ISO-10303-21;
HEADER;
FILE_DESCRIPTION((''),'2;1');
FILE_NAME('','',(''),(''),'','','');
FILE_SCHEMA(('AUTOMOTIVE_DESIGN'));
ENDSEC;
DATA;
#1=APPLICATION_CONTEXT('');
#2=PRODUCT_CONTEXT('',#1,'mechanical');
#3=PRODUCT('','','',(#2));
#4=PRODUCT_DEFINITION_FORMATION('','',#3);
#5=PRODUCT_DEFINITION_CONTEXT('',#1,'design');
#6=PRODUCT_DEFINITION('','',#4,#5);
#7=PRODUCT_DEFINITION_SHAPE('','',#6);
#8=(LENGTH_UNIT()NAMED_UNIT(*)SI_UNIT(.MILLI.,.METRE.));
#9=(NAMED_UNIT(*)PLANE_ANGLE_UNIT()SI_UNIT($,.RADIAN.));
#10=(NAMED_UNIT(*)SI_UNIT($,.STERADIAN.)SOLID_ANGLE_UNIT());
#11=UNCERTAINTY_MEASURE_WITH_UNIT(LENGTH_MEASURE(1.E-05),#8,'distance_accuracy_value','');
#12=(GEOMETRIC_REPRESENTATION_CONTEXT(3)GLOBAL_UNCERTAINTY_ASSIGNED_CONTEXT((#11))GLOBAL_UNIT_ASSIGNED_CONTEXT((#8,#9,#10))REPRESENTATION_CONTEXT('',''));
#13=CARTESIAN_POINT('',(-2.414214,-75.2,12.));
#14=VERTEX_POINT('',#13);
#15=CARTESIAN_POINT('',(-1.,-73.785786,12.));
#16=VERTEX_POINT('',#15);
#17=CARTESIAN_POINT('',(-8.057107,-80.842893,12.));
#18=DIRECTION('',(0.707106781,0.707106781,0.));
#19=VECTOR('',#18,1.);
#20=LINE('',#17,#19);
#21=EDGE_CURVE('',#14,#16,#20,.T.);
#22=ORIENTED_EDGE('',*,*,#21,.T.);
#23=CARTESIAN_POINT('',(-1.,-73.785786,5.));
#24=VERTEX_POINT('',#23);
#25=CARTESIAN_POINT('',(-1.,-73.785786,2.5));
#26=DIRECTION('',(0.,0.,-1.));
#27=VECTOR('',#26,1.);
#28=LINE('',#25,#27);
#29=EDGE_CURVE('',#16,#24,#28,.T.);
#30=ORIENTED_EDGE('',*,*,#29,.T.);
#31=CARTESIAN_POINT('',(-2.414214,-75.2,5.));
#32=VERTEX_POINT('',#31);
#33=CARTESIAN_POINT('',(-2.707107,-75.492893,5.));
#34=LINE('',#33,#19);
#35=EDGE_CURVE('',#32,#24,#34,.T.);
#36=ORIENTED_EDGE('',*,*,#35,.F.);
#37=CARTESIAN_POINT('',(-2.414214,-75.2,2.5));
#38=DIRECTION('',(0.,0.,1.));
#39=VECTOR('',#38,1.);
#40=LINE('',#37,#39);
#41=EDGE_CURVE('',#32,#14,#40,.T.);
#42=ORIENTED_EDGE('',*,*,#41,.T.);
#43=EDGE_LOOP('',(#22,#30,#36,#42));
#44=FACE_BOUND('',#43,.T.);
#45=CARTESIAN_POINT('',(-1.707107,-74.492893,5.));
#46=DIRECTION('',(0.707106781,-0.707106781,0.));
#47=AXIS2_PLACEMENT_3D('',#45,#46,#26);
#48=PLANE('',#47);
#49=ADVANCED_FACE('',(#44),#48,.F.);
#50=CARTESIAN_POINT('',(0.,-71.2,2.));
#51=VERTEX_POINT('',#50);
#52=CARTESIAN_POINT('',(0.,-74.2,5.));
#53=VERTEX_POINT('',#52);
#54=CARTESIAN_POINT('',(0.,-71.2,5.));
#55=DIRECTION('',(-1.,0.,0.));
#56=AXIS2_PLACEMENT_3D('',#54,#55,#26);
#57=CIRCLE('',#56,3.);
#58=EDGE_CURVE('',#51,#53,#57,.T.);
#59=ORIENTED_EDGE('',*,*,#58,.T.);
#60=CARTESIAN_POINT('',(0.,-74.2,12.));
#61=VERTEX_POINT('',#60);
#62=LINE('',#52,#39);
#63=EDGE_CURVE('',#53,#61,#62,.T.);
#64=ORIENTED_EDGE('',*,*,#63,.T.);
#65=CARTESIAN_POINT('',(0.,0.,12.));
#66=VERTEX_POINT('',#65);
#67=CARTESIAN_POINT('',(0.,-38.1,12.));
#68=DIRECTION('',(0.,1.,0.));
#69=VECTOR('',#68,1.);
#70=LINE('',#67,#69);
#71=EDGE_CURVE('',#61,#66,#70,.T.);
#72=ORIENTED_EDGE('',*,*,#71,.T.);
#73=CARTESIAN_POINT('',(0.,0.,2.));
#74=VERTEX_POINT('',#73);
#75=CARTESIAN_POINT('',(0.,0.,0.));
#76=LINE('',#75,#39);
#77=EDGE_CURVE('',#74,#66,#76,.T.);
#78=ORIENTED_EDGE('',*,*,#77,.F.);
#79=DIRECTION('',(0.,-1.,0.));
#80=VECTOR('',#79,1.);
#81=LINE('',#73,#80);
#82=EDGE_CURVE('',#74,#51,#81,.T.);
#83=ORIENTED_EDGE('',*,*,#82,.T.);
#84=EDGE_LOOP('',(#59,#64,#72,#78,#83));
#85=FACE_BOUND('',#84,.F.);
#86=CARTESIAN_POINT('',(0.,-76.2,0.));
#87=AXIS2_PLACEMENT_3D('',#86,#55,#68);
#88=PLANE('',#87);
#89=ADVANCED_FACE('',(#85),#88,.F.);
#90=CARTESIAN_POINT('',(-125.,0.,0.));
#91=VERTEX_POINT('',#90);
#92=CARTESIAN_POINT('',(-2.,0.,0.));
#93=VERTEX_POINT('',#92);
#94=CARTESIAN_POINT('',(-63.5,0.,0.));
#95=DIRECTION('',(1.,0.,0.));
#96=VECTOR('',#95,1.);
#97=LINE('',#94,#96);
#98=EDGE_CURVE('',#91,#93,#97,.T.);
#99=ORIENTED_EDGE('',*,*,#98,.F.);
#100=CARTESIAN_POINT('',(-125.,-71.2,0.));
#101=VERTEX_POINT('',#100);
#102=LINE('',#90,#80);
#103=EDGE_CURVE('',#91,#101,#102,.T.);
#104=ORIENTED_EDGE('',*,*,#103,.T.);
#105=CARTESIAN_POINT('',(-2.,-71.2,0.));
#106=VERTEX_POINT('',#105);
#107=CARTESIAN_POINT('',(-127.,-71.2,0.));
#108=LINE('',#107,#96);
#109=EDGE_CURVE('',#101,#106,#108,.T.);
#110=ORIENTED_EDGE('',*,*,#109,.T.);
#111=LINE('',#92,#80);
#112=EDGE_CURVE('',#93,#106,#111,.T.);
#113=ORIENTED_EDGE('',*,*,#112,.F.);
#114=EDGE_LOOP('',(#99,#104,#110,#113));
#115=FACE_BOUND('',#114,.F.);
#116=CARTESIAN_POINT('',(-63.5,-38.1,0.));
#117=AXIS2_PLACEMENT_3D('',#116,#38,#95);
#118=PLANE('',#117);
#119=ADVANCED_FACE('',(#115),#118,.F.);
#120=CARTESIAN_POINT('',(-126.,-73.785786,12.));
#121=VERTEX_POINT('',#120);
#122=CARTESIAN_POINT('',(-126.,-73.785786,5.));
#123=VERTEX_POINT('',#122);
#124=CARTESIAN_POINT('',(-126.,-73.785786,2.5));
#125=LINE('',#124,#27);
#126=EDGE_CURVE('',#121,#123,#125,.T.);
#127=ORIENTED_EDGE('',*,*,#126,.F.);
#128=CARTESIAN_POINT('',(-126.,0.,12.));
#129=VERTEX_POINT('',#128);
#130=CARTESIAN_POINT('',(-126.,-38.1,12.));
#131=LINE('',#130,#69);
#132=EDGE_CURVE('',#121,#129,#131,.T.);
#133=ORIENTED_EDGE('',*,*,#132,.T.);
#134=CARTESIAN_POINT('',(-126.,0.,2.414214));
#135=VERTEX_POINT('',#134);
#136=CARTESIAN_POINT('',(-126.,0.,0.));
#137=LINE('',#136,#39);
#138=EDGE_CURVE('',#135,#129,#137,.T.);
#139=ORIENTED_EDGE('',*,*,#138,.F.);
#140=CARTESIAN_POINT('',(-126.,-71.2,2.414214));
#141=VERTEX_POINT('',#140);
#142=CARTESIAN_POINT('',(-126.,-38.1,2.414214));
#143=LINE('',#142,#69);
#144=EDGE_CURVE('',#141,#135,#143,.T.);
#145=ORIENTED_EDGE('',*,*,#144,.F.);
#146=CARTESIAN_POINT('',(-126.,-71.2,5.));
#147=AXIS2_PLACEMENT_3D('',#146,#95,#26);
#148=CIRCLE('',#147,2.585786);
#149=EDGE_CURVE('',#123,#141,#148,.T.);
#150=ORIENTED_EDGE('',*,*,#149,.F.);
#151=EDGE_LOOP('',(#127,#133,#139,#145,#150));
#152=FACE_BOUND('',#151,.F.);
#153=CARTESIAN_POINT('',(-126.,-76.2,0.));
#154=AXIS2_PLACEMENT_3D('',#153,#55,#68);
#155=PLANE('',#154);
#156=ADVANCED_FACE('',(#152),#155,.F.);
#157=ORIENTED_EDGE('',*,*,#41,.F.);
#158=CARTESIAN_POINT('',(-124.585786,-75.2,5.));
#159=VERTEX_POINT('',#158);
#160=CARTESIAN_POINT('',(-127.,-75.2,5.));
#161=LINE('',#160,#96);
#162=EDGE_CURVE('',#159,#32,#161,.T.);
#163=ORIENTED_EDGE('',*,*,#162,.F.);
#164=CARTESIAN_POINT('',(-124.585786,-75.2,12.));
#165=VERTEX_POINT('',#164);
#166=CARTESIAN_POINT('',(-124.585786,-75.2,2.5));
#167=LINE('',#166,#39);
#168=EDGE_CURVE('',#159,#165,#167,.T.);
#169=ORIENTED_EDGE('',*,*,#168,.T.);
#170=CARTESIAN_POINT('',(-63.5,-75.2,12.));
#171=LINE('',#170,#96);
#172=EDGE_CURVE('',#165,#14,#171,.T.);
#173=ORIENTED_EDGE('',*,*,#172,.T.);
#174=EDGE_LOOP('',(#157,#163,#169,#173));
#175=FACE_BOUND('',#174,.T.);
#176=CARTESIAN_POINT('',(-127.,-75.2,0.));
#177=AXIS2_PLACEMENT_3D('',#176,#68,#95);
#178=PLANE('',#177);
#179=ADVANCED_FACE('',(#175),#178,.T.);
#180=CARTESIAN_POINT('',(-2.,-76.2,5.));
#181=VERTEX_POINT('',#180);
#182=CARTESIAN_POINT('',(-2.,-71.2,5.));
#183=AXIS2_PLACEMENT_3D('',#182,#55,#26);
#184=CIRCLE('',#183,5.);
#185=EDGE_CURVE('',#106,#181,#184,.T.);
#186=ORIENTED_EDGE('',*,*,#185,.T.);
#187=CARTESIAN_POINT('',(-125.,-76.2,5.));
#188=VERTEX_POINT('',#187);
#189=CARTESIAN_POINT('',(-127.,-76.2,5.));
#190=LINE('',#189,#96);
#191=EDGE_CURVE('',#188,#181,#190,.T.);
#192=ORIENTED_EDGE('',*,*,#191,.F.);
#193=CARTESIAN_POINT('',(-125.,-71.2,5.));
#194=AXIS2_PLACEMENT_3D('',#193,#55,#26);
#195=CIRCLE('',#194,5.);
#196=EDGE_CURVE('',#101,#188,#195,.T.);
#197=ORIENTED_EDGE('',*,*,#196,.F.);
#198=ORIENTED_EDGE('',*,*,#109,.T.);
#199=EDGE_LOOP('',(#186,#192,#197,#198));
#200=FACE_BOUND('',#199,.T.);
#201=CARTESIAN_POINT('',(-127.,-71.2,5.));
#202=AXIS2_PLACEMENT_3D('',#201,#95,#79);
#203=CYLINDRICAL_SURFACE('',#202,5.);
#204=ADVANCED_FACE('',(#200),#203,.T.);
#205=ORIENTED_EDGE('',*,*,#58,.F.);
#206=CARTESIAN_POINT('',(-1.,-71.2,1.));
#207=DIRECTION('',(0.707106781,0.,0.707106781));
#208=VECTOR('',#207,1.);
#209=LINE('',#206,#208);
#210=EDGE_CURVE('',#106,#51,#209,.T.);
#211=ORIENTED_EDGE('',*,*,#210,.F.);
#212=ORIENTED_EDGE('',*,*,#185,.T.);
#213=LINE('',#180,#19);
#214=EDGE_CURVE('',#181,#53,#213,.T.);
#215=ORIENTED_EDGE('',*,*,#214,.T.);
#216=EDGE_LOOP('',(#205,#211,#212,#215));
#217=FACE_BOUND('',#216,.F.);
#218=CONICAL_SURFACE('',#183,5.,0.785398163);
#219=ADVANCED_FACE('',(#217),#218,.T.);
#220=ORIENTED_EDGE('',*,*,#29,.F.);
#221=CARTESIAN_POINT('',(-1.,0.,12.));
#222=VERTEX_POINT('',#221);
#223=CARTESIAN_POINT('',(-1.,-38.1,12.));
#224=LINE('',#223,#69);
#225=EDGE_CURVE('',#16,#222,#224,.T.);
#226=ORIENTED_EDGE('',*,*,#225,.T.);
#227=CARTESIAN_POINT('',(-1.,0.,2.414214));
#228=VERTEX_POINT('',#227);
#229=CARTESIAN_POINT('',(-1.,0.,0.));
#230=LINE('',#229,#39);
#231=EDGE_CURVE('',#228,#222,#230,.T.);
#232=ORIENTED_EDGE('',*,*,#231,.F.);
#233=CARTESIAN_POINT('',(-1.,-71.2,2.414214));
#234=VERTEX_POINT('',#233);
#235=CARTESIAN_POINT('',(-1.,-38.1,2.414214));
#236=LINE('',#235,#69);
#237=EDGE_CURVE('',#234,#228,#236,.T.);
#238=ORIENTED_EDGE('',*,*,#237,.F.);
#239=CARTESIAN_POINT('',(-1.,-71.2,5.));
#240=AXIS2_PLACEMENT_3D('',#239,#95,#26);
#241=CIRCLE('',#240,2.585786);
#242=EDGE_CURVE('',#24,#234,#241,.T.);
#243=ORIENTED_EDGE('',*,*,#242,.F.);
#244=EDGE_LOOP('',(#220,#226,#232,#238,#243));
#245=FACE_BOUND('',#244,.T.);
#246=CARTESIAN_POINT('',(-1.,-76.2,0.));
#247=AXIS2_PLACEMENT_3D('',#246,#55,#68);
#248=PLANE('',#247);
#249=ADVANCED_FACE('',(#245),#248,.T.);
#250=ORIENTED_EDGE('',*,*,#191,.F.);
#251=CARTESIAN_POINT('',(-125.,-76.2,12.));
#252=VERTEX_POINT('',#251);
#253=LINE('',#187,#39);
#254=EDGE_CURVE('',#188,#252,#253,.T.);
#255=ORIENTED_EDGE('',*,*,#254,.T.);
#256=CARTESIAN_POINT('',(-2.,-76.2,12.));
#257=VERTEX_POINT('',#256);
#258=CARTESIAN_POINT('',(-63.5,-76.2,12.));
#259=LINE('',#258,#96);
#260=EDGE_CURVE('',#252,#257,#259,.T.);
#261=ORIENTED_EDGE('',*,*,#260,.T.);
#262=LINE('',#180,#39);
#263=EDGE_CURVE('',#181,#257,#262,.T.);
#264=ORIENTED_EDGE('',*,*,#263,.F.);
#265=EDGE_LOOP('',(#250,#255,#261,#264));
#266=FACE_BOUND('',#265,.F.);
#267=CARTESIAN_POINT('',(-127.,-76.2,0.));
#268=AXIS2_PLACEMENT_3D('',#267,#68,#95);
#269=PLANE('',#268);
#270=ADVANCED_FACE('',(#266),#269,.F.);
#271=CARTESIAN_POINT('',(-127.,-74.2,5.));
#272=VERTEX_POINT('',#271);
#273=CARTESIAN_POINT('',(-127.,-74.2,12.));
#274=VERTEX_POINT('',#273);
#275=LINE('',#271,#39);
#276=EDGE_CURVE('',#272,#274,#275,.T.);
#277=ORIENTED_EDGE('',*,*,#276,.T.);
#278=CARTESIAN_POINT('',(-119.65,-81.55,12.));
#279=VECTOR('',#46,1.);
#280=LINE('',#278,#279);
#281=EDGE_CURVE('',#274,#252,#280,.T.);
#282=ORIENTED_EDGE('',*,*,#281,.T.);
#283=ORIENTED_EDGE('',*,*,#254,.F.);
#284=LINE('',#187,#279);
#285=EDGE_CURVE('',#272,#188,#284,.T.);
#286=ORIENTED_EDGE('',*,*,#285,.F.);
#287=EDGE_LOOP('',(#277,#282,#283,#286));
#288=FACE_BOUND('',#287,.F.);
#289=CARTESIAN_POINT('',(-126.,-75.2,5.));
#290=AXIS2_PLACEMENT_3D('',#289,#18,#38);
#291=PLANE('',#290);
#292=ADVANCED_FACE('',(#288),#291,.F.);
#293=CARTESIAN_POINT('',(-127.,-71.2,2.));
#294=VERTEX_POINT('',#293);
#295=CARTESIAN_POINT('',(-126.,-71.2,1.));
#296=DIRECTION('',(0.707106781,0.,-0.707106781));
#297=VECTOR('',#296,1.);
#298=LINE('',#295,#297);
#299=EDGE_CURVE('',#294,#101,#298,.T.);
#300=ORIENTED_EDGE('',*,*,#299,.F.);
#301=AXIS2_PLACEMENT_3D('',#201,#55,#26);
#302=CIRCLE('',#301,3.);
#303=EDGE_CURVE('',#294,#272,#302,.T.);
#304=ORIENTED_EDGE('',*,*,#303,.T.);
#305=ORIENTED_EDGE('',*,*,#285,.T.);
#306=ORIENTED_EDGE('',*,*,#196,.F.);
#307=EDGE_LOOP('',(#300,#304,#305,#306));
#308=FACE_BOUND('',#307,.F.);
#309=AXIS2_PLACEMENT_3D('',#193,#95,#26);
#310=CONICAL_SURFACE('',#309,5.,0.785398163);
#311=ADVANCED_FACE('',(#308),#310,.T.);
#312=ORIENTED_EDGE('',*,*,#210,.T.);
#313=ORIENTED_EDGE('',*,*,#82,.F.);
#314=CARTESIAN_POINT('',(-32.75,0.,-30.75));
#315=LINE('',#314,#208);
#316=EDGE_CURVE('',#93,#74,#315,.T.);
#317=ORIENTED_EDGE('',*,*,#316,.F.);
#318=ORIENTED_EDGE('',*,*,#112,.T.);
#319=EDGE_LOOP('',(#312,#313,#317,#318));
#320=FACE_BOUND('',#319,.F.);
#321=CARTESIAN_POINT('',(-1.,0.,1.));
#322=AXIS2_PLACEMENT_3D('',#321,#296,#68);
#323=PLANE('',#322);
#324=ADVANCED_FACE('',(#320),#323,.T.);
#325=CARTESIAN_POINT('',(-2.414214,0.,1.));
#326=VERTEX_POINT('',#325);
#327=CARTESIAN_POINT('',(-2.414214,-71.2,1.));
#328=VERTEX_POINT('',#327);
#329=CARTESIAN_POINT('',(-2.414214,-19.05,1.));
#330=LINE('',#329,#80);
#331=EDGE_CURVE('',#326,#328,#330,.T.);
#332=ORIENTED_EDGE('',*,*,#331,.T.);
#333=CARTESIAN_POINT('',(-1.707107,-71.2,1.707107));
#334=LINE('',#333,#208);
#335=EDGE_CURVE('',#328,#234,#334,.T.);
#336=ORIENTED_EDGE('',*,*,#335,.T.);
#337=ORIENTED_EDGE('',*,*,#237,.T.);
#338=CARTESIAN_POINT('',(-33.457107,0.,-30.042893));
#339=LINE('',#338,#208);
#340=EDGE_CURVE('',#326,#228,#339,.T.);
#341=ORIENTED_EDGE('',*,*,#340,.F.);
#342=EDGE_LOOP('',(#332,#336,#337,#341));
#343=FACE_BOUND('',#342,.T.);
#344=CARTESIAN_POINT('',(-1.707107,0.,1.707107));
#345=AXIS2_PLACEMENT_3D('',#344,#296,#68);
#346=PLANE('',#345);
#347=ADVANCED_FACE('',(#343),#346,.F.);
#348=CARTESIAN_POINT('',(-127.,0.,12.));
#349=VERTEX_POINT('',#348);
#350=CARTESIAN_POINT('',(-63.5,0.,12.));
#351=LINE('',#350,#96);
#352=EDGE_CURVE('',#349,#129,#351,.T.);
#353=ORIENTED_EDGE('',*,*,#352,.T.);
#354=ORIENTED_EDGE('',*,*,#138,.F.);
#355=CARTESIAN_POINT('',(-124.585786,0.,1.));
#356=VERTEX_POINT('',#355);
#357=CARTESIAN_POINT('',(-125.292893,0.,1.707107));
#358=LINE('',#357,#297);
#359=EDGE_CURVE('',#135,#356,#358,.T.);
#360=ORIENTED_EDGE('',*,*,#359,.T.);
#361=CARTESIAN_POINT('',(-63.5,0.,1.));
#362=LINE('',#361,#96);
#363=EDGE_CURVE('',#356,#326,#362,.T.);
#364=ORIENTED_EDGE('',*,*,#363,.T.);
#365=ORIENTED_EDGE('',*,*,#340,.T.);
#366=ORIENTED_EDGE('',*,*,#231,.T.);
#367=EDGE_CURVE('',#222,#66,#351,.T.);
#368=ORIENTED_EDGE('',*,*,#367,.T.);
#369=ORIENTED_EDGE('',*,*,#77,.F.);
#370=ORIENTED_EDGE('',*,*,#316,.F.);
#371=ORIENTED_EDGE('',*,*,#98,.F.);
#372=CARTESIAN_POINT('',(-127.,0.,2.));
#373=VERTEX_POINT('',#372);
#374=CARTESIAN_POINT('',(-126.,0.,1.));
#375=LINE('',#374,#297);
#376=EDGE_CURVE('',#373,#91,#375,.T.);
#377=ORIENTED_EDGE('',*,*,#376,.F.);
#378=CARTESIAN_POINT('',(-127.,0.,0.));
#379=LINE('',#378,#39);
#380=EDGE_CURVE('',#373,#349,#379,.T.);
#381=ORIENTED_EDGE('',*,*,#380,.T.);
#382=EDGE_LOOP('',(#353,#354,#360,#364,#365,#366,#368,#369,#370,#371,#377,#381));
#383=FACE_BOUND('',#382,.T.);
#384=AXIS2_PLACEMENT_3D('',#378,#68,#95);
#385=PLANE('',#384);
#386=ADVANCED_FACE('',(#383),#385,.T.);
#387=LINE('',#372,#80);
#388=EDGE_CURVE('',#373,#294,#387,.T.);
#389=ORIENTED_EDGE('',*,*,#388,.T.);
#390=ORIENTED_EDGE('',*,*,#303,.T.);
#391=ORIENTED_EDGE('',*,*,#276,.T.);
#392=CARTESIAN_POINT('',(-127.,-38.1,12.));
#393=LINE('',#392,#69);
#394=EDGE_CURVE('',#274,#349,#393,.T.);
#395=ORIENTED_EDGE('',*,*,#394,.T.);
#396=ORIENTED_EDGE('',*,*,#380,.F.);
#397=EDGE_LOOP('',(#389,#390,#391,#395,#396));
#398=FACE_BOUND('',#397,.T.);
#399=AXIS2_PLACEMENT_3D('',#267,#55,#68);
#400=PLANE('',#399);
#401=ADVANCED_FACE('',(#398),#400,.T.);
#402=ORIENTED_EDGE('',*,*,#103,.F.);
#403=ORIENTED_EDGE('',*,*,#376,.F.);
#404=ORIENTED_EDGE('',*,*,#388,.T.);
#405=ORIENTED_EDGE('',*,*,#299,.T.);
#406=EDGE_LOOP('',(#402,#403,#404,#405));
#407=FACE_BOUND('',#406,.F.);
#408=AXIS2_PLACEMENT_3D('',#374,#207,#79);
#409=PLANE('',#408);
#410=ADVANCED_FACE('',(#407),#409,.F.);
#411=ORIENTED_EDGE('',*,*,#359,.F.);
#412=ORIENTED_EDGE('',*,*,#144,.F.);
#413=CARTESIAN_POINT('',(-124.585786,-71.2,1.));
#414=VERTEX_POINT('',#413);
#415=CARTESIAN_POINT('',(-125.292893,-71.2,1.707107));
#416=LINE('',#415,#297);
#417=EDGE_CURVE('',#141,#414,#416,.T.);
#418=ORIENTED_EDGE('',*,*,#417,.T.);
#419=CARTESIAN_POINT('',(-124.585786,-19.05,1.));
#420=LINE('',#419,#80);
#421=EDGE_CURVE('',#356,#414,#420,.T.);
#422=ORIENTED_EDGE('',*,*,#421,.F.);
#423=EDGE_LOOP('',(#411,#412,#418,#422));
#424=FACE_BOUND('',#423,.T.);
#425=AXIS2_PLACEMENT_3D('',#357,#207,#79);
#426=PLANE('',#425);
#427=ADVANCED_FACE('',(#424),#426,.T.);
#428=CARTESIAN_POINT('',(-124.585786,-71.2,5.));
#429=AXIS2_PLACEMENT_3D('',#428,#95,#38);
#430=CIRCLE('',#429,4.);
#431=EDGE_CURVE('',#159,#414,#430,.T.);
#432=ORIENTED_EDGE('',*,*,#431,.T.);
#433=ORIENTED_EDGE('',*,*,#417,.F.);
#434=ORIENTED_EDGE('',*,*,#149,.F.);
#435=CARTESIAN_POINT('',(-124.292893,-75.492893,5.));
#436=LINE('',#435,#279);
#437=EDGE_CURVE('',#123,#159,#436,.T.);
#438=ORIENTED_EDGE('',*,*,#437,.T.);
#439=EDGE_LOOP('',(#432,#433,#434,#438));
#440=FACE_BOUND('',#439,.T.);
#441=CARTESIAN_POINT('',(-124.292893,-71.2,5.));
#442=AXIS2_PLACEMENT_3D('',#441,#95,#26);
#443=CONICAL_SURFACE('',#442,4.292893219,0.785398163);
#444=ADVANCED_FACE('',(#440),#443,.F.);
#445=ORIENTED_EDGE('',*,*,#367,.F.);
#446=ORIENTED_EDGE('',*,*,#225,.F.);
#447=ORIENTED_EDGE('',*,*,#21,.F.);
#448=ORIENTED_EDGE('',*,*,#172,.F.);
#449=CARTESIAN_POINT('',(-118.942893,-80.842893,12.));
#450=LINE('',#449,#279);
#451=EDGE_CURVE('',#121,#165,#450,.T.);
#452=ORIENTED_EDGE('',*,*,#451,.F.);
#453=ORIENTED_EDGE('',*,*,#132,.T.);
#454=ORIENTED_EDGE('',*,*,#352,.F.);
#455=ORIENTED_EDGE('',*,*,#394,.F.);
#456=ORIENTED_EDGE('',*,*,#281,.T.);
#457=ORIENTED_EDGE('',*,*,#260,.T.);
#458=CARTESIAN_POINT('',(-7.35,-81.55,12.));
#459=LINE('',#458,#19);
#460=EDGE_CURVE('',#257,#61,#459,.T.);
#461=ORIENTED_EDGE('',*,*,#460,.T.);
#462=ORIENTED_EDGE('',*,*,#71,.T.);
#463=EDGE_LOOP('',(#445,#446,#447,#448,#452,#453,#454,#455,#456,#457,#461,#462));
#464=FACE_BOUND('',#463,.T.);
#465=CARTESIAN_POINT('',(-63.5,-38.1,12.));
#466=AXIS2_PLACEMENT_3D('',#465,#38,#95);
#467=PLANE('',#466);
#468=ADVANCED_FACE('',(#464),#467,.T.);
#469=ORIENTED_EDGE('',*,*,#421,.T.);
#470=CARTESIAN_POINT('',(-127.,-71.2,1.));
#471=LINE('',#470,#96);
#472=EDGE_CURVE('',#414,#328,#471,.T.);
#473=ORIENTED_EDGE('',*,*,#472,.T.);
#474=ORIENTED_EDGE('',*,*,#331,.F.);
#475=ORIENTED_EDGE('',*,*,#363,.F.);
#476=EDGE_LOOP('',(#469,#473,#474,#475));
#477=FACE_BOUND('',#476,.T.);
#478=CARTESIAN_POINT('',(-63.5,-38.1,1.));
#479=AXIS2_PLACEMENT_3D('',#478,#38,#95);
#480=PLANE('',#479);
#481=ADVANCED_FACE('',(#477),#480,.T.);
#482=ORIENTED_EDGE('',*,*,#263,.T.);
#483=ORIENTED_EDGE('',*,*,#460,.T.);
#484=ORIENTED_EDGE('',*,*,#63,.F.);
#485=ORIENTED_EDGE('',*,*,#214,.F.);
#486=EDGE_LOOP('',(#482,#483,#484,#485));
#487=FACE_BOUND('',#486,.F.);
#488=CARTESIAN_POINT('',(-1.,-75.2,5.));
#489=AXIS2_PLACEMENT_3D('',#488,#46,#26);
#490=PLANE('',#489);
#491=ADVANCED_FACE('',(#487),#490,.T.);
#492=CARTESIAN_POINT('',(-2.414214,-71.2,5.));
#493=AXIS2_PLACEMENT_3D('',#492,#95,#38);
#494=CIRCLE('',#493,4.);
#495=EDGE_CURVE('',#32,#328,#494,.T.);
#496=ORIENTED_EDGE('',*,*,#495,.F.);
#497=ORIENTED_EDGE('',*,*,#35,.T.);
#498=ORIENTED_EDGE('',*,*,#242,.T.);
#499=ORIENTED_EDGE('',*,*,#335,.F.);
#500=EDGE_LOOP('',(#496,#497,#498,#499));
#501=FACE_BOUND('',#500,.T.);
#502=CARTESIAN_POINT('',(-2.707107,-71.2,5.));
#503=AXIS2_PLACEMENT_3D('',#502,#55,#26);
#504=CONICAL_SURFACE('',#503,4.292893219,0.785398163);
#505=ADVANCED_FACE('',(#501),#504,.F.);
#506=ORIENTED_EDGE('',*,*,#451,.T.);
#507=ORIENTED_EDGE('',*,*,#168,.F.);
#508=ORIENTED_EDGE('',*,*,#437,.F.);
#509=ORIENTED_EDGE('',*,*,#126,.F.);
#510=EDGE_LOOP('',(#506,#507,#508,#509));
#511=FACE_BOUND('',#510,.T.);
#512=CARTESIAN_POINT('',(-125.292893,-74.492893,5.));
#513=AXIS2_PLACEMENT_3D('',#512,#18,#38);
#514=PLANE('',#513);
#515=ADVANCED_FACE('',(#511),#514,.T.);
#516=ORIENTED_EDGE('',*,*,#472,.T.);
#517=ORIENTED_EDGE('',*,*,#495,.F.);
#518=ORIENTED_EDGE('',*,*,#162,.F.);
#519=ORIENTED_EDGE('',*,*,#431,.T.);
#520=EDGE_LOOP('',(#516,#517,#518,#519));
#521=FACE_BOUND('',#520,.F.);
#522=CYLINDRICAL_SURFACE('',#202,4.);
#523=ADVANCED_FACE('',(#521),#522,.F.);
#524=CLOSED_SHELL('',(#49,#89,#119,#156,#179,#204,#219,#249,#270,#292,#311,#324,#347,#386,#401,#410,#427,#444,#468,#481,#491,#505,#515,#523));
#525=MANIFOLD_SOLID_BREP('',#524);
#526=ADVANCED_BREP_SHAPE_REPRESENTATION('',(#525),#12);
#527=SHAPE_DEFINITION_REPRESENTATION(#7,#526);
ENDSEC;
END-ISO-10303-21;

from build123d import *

# Parameters (mm, degrees)
F0_W     = 127
F0_H     = 76.2
F1_DEPTH = 12
F2_R     = 5
F3_SIZE  = 2
F4_T     = -1


with BuildPart() as f1:
    # F0 (on Top) → F1 (new body)
    with BuildSketch(Plane.XY):
        with Locations((-63.5, -38.1)):
            Rectangle(F0_W, F0_H)
    extrude(amount=F1_DEPTH)

    # F2
    f2_edges = [f1.edges().sort_by_distance(p)[0] for p in [
        (-63.5, -76.2, 0),
    ]]
    fillet(f2_edges, radius=F2_R)

    # F3
    f3_edges = [f1.edges().sort_by_distance(p)[0] for p in [
        (0, -76.2, 8.5),
        (-127, -76.2, 8.5),
    ]]
    chamfer(f3_edges, length=F3_SIZE)

    # F4
    f4_openings = [f1.faces().sort_by_distance(p)[0] for p in [
        (-63.5, -38.084521, 12),
        (-63.5, 0, 6.014035),
    ]]
    offset(amount=F4_T, openings=f4_openings)


solid = f1.part
